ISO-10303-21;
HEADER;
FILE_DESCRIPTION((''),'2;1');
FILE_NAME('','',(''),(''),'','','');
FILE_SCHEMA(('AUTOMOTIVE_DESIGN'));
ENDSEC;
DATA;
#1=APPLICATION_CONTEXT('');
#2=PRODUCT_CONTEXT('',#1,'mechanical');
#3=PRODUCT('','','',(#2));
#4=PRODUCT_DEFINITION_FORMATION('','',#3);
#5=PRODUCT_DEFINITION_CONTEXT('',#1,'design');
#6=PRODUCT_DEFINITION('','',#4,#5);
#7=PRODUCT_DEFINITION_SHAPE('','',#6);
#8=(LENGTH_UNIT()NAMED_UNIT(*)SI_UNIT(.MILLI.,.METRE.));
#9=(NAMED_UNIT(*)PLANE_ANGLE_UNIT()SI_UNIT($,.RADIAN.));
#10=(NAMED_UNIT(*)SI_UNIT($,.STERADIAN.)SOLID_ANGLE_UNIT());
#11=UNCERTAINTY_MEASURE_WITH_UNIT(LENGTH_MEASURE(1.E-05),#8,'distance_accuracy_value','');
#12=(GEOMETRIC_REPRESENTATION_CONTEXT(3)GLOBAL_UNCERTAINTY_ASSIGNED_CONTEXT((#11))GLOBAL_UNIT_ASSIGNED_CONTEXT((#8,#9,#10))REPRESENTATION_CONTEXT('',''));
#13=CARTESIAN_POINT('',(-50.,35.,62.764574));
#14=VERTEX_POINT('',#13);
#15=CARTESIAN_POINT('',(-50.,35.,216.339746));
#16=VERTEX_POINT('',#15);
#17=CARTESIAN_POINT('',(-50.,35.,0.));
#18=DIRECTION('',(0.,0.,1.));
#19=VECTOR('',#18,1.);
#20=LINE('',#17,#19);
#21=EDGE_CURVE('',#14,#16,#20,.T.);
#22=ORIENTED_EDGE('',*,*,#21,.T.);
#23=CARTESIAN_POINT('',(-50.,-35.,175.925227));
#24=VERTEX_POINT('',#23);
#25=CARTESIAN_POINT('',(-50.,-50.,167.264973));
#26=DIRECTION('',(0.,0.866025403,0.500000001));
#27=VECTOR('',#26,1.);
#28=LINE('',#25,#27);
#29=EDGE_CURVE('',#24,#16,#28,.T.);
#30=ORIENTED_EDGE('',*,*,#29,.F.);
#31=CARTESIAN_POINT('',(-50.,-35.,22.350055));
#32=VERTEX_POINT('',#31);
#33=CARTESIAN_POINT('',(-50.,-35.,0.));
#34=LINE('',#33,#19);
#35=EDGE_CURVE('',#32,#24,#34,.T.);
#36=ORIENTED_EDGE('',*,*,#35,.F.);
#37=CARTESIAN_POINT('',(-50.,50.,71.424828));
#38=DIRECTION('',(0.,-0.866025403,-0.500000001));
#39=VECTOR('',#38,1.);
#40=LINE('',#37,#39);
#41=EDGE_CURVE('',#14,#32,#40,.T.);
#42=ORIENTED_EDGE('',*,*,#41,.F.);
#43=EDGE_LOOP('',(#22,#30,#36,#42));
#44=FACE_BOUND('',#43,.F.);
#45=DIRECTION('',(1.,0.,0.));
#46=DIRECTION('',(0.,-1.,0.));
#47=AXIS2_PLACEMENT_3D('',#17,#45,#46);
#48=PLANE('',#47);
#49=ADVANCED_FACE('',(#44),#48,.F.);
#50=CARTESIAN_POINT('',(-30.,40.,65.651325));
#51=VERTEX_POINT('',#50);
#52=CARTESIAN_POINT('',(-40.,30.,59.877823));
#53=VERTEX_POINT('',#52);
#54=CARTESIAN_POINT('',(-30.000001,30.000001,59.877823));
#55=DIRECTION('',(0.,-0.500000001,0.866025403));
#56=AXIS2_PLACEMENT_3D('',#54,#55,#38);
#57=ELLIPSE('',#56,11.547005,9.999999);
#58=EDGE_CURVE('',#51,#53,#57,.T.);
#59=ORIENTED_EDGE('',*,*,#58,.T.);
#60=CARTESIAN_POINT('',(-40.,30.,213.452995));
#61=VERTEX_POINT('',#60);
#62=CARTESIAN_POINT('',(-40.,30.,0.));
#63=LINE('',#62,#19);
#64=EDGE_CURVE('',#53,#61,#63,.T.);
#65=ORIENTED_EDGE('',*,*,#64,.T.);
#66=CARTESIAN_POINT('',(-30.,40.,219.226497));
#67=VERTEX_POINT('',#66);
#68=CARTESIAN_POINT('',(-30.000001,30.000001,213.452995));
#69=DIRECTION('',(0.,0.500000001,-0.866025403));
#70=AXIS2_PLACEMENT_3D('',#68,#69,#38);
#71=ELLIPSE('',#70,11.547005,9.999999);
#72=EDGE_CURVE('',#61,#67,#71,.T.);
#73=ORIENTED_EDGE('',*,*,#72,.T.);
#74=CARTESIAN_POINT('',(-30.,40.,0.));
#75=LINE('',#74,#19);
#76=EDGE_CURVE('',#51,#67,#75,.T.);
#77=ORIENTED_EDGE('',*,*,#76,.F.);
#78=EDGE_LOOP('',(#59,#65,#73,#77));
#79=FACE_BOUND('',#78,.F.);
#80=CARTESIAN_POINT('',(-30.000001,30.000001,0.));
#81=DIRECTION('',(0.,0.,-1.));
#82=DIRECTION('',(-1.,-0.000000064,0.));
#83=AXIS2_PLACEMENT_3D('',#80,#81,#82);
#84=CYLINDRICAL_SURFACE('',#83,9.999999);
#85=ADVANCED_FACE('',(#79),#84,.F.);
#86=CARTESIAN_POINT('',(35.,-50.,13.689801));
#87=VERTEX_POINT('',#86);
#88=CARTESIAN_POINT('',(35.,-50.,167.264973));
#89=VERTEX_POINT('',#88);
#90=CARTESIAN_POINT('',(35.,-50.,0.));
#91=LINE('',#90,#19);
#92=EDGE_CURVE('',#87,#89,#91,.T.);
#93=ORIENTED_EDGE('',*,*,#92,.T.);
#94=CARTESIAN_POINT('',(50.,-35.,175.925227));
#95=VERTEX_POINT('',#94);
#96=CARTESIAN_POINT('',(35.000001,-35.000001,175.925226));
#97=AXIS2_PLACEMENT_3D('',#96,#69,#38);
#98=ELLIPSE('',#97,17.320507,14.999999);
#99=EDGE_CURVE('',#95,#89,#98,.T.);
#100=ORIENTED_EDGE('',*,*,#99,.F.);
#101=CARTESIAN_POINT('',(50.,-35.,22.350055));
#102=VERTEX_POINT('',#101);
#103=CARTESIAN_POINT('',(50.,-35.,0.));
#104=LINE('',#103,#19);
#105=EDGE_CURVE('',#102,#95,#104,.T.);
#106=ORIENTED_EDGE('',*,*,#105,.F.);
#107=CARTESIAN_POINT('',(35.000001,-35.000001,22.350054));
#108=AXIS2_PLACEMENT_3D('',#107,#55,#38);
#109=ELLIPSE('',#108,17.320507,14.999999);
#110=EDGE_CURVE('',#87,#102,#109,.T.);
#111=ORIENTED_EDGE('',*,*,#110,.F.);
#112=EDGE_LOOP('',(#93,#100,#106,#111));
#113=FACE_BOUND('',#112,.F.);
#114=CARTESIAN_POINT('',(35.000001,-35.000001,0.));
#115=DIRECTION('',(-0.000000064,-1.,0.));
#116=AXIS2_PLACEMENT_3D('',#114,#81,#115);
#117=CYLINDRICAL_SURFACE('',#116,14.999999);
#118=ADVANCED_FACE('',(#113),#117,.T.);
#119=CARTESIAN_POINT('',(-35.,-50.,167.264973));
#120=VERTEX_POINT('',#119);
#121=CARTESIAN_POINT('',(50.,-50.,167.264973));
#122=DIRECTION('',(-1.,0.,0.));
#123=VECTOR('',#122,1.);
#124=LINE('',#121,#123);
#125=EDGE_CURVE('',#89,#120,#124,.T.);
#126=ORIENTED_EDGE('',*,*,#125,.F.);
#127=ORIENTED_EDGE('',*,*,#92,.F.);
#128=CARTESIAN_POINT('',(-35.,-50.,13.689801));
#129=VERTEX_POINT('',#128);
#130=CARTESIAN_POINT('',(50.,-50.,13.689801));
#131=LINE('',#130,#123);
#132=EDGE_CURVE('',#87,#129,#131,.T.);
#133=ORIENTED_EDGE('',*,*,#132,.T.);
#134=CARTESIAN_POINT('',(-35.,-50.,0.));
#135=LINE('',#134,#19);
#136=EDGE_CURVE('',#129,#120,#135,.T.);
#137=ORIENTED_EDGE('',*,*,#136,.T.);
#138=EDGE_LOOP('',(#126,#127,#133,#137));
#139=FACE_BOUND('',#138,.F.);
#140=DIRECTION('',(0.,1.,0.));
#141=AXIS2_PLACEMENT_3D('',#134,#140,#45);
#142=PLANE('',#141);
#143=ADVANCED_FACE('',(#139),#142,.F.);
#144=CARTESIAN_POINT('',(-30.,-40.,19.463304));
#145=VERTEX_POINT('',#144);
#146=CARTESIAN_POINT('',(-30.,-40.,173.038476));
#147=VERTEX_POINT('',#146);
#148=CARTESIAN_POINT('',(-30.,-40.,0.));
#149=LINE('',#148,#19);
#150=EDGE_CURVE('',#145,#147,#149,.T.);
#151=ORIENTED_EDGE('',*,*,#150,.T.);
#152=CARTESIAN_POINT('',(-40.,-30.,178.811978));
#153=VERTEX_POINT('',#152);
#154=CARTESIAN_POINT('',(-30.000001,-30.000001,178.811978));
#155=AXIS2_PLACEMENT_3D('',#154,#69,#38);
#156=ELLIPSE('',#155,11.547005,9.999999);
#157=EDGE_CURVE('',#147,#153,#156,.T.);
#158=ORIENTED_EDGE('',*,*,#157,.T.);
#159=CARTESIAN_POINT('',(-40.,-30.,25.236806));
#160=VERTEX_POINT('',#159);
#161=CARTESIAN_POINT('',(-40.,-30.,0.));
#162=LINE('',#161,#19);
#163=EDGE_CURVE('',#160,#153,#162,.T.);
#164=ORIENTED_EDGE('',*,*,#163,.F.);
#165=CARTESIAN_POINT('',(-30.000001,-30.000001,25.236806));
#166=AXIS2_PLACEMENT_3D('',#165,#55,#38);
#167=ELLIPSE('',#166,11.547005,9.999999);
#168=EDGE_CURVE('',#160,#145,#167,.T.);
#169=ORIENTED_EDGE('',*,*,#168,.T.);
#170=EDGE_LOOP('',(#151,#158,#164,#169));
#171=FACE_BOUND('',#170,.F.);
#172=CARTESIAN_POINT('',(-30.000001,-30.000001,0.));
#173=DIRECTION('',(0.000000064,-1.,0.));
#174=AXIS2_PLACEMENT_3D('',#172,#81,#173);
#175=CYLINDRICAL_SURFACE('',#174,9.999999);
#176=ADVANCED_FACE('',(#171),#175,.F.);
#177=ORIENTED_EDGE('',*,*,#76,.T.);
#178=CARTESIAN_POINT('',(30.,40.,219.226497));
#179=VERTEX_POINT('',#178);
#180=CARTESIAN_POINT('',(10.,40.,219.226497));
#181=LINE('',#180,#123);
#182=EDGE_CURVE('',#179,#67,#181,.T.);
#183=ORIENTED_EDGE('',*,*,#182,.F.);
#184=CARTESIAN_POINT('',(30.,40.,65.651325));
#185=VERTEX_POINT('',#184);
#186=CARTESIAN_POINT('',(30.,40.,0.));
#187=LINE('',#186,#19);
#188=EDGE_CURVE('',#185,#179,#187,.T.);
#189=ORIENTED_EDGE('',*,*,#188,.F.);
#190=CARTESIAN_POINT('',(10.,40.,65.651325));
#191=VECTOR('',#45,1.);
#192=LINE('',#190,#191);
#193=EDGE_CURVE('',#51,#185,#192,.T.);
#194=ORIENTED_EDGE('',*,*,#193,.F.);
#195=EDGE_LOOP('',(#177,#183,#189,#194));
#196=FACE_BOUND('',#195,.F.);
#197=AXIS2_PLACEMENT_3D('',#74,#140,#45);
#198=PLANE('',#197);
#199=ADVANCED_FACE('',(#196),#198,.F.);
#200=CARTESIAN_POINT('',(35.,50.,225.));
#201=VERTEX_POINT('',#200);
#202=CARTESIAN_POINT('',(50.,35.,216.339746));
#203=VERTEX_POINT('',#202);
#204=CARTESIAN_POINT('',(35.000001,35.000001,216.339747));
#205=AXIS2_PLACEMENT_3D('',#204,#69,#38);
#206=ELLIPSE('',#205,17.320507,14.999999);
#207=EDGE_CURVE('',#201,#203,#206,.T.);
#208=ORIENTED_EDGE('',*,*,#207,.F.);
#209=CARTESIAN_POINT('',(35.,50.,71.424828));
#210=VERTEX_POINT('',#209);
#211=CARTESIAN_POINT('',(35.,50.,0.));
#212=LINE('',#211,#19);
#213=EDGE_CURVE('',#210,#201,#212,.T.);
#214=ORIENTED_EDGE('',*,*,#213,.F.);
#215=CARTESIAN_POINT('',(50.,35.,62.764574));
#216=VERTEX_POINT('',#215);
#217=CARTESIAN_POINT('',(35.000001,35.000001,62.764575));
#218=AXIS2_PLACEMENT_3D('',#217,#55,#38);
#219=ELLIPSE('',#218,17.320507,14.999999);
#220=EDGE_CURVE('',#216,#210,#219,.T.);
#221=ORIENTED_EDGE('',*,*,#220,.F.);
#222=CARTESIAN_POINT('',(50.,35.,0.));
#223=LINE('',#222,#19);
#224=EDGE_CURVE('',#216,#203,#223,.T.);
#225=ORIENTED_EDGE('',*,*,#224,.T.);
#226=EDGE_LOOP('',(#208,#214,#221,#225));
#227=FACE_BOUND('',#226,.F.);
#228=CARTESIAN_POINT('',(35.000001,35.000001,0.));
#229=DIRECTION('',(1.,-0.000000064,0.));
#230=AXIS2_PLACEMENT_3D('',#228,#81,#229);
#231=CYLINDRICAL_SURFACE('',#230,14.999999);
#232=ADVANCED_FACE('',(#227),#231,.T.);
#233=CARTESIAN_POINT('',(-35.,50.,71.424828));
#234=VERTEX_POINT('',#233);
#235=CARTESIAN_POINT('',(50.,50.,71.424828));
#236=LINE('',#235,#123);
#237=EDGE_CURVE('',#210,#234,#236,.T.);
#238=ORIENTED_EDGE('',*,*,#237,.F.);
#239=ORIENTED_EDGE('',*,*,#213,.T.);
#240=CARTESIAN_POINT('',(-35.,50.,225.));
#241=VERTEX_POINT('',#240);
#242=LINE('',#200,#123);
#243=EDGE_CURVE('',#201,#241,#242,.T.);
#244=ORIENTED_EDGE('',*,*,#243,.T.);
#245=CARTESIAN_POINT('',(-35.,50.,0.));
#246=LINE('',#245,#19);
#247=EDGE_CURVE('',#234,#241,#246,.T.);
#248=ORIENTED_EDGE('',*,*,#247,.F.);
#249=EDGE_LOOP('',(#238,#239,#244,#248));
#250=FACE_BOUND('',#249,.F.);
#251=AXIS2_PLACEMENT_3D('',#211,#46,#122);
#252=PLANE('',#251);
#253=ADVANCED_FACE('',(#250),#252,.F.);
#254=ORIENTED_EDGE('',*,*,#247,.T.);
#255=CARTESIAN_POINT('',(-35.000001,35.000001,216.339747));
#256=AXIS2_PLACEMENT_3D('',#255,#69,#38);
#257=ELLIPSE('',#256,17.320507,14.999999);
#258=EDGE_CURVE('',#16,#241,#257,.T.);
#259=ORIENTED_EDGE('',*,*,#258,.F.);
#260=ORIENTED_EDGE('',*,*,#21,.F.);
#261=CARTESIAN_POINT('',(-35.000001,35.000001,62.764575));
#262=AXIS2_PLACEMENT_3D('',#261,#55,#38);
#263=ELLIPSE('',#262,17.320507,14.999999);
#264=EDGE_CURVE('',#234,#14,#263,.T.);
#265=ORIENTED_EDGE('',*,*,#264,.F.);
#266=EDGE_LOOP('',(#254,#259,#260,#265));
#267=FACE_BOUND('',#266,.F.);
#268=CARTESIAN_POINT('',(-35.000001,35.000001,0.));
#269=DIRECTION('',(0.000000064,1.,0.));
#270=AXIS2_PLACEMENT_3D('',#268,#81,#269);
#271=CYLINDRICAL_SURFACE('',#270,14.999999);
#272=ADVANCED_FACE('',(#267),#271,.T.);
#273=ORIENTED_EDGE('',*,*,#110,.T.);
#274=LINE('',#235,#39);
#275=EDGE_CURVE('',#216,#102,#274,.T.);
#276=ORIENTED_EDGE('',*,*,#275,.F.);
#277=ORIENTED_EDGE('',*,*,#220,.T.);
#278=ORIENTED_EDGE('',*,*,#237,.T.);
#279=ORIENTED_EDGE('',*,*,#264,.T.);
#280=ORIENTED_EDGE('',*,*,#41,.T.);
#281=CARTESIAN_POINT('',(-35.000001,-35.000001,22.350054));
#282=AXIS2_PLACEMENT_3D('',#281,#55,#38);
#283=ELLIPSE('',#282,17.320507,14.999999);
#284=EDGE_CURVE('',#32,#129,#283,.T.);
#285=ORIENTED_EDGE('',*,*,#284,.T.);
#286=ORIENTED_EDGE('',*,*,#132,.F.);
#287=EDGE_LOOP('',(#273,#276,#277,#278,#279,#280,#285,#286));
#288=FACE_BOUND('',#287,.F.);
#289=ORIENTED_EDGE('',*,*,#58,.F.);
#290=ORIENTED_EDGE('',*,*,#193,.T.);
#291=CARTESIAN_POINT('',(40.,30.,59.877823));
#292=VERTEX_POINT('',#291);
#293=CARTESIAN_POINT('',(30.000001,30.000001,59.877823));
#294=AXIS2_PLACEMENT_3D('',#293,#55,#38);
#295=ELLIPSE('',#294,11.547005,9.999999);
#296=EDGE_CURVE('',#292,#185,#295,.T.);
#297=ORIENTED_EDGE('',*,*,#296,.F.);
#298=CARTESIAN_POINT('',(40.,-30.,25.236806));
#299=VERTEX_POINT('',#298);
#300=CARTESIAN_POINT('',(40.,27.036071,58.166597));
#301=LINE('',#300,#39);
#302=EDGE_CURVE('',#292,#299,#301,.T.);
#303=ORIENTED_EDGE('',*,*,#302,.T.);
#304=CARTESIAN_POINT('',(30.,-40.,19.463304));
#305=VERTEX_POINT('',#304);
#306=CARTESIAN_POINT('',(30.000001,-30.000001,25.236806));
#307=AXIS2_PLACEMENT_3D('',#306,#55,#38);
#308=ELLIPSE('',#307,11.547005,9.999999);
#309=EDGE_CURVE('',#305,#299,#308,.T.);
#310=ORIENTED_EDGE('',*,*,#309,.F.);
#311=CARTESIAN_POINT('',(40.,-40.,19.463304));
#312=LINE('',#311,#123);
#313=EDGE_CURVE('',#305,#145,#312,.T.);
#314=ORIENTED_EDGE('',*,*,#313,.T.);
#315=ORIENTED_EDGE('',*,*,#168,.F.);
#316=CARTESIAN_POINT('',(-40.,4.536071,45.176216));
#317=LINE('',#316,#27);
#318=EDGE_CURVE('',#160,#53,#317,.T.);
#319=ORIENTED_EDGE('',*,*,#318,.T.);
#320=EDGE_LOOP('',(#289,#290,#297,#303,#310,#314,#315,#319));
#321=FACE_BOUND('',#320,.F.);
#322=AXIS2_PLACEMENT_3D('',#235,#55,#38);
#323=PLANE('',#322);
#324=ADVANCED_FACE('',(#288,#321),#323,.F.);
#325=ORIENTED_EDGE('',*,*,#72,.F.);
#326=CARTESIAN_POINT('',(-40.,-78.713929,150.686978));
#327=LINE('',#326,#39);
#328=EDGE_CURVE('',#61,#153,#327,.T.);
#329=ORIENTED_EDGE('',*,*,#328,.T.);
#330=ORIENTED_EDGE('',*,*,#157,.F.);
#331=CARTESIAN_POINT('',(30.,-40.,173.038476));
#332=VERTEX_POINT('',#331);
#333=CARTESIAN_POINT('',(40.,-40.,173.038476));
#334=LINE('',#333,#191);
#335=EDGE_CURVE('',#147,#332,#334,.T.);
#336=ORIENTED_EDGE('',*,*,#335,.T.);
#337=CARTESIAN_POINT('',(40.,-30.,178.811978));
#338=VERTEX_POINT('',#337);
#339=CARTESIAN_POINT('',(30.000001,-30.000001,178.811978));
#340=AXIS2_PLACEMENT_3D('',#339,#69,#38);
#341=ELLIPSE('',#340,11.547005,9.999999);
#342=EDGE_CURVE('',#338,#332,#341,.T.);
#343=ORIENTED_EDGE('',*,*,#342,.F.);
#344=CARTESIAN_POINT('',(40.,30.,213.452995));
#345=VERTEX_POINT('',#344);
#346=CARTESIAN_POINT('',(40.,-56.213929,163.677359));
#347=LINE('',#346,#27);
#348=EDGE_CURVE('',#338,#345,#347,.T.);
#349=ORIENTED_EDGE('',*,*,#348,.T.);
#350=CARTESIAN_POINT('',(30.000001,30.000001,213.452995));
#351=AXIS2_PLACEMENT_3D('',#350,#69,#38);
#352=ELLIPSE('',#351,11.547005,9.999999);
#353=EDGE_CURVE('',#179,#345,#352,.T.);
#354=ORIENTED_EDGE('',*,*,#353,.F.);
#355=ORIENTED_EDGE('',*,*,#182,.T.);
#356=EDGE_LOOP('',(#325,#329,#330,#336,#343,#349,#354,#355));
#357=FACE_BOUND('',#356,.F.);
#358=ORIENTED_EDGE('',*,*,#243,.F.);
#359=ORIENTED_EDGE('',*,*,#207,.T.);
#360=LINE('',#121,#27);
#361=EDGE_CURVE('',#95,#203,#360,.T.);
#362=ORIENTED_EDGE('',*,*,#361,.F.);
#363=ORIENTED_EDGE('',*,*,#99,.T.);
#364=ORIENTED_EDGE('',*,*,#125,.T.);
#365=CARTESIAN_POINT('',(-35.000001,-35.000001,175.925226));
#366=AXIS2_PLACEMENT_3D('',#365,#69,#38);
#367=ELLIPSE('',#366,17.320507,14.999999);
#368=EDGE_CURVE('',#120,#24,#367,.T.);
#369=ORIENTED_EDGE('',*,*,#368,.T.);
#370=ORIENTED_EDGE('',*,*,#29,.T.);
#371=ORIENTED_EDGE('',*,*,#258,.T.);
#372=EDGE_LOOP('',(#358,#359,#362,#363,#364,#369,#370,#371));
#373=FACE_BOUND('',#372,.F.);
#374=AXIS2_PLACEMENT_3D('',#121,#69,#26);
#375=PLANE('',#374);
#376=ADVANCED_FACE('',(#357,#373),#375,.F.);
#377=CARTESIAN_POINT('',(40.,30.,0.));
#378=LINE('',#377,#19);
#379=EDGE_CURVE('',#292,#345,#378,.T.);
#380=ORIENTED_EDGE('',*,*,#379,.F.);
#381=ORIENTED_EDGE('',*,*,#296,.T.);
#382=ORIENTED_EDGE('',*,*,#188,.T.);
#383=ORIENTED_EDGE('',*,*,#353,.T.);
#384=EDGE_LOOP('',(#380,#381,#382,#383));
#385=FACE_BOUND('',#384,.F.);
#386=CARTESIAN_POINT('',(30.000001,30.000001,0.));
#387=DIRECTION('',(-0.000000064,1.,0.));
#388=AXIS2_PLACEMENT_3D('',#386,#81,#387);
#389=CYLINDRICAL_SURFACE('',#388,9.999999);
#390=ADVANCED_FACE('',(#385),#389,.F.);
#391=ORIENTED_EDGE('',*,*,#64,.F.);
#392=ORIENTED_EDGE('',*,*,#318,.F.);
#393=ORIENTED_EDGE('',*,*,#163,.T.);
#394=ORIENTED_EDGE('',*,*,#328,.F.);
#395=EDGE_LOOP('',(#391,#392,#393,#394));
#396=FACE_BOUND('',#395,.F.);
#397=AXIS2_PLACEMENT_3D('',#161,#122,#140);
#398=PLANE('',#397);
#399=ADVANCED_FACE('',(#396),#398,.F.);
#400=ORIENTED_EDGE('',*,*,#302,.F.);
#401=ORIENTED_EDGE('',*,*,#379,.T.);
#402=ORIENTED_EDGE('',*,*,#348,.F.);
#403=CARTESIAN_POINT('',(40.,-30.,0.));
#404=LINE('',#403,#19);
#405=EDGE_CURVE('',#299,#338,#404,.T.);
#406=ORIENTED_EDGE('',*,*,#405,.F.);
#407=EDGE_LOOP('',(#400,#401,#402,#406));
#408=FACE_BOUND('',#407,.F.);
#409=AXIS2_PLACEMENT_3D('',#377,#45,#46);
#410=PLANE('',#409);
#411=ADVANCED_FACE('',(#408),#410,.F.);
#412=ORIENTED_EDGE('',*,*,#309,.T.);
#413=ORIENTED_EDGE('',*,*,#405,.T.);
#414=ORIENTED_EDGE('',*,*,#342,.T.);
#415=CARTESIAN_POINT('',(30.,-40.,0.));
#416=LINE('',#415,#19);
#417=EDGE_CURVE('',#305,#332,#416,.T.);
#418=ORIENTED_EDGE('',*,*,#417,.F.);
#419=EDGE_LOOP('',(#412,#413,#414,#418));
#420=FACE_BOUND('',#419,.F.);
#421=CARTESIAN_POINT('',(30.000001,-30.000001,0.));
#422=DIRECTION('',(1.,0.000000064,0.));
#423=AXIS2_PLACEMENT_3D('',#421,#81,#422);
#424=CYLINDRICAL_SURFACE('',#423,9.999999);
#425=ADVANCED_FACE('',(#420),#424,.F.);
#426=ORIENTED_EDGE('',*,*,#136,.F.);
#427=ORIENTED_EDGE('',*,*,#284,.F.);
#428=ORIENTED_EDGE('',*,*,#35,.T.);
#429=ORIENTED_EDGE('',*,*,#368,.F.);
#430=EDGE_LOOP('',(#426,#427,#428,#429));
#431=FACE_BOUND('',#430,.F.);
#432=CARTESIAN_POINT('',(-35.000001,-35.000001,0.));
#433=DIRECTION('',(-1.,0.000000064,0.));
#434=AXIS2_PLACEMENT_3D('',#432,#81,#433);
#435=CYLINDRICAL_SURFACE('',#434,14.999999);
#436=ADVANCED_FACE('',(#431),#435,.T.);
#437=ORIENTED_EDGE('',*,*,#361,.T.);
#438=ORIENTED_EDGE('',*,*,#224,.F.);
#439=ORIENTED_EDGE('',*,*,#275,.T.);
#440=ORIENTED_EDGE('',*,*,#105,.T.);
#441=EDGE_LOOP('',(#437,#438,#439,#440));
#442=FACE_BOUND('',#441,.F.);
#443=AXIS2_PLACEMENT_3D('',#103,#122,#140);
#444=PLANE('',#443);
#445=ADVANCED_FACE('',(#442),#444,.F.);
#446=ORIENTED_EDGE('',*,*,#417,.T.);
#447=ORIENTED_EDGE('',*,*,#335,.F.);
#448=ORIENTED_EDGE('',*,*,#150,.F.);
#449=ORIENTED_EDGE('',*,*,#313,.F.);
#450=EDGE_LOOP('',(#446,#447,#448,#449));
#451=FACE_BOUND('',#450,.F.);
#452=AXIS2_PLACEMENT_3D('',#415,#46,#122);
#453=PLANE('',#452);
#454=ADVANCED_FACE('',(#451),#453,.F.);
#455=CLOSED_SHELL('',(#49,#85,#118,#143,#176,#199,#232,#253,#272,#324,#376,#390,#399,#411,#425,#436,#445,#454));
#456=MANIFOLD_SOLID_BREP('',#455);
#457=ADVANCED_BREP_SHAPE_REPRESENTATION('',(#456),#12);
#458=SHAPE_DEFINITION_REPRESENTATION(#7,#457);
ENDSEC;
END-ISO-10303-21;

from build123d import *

# Parameters (mm, degrees)
F1_DEPTH = 225
F3_DEPTH = 100


with BuildPart() as f1:
    # F0 (on Top) → F1 (new body)
    with BuildSketch(Plane.XY):
        with BuildLine():
            Line((35, 50), (-35, 50))
            ThreePointArc((-35, 50), (-45.606602, 45.606602), (-50, 35))
            Line((-50, 35), (-50, -35))
            ThreePointArc((-50, -35), (-45.606602, -45.606602), (-35, -50))
            Line((-35, -50), (35, -50))
            ThreePointArc((35, -50), (45.606602, -45.606602), (50, -35))
            Line((50, -35), (50, 35))
            ThreePointArc((50, 35), (45.606602, 45.606602), (35, 50))
        make_face()
        with BuildLine():
            ThreePointArc((-40, 30), (-37.071068, 37.071068), (-30, 40))
            Line((-30, 40), (30, 40))
            ThreePointArc((30, 40), (37.071068, 37.071068), (40, 30))
            Line((40, 30), (40, -30))
            ThreePointArc((40, -30), (37.071068, -37.071068), (30, -40))
            Line((30, -40), (-30, -40))
            ThreePointArc((-30, -40), (-37.071068, -37.071068), (-40, -30))
            Line((-40, -30), (-40, 30))
        make_face(mode=Mode.SUBTRACT)
    extrude(amount=F1_DEPTH)

    # F2 (on face) → F3 (cut)
    with BuildSketch(Plane.YZ.offset(50)):
        Polygon((-50, 225), (-50, 167.264973), (50, 225), align=None)
        Polygon((50, 71.424828), (-50, 13.689801), (-50, 0), (50, 0), align=None)
    extrude(amount=-F3_DEPTH, mode=Mode.SUBTRACT)


solid = f1.part
